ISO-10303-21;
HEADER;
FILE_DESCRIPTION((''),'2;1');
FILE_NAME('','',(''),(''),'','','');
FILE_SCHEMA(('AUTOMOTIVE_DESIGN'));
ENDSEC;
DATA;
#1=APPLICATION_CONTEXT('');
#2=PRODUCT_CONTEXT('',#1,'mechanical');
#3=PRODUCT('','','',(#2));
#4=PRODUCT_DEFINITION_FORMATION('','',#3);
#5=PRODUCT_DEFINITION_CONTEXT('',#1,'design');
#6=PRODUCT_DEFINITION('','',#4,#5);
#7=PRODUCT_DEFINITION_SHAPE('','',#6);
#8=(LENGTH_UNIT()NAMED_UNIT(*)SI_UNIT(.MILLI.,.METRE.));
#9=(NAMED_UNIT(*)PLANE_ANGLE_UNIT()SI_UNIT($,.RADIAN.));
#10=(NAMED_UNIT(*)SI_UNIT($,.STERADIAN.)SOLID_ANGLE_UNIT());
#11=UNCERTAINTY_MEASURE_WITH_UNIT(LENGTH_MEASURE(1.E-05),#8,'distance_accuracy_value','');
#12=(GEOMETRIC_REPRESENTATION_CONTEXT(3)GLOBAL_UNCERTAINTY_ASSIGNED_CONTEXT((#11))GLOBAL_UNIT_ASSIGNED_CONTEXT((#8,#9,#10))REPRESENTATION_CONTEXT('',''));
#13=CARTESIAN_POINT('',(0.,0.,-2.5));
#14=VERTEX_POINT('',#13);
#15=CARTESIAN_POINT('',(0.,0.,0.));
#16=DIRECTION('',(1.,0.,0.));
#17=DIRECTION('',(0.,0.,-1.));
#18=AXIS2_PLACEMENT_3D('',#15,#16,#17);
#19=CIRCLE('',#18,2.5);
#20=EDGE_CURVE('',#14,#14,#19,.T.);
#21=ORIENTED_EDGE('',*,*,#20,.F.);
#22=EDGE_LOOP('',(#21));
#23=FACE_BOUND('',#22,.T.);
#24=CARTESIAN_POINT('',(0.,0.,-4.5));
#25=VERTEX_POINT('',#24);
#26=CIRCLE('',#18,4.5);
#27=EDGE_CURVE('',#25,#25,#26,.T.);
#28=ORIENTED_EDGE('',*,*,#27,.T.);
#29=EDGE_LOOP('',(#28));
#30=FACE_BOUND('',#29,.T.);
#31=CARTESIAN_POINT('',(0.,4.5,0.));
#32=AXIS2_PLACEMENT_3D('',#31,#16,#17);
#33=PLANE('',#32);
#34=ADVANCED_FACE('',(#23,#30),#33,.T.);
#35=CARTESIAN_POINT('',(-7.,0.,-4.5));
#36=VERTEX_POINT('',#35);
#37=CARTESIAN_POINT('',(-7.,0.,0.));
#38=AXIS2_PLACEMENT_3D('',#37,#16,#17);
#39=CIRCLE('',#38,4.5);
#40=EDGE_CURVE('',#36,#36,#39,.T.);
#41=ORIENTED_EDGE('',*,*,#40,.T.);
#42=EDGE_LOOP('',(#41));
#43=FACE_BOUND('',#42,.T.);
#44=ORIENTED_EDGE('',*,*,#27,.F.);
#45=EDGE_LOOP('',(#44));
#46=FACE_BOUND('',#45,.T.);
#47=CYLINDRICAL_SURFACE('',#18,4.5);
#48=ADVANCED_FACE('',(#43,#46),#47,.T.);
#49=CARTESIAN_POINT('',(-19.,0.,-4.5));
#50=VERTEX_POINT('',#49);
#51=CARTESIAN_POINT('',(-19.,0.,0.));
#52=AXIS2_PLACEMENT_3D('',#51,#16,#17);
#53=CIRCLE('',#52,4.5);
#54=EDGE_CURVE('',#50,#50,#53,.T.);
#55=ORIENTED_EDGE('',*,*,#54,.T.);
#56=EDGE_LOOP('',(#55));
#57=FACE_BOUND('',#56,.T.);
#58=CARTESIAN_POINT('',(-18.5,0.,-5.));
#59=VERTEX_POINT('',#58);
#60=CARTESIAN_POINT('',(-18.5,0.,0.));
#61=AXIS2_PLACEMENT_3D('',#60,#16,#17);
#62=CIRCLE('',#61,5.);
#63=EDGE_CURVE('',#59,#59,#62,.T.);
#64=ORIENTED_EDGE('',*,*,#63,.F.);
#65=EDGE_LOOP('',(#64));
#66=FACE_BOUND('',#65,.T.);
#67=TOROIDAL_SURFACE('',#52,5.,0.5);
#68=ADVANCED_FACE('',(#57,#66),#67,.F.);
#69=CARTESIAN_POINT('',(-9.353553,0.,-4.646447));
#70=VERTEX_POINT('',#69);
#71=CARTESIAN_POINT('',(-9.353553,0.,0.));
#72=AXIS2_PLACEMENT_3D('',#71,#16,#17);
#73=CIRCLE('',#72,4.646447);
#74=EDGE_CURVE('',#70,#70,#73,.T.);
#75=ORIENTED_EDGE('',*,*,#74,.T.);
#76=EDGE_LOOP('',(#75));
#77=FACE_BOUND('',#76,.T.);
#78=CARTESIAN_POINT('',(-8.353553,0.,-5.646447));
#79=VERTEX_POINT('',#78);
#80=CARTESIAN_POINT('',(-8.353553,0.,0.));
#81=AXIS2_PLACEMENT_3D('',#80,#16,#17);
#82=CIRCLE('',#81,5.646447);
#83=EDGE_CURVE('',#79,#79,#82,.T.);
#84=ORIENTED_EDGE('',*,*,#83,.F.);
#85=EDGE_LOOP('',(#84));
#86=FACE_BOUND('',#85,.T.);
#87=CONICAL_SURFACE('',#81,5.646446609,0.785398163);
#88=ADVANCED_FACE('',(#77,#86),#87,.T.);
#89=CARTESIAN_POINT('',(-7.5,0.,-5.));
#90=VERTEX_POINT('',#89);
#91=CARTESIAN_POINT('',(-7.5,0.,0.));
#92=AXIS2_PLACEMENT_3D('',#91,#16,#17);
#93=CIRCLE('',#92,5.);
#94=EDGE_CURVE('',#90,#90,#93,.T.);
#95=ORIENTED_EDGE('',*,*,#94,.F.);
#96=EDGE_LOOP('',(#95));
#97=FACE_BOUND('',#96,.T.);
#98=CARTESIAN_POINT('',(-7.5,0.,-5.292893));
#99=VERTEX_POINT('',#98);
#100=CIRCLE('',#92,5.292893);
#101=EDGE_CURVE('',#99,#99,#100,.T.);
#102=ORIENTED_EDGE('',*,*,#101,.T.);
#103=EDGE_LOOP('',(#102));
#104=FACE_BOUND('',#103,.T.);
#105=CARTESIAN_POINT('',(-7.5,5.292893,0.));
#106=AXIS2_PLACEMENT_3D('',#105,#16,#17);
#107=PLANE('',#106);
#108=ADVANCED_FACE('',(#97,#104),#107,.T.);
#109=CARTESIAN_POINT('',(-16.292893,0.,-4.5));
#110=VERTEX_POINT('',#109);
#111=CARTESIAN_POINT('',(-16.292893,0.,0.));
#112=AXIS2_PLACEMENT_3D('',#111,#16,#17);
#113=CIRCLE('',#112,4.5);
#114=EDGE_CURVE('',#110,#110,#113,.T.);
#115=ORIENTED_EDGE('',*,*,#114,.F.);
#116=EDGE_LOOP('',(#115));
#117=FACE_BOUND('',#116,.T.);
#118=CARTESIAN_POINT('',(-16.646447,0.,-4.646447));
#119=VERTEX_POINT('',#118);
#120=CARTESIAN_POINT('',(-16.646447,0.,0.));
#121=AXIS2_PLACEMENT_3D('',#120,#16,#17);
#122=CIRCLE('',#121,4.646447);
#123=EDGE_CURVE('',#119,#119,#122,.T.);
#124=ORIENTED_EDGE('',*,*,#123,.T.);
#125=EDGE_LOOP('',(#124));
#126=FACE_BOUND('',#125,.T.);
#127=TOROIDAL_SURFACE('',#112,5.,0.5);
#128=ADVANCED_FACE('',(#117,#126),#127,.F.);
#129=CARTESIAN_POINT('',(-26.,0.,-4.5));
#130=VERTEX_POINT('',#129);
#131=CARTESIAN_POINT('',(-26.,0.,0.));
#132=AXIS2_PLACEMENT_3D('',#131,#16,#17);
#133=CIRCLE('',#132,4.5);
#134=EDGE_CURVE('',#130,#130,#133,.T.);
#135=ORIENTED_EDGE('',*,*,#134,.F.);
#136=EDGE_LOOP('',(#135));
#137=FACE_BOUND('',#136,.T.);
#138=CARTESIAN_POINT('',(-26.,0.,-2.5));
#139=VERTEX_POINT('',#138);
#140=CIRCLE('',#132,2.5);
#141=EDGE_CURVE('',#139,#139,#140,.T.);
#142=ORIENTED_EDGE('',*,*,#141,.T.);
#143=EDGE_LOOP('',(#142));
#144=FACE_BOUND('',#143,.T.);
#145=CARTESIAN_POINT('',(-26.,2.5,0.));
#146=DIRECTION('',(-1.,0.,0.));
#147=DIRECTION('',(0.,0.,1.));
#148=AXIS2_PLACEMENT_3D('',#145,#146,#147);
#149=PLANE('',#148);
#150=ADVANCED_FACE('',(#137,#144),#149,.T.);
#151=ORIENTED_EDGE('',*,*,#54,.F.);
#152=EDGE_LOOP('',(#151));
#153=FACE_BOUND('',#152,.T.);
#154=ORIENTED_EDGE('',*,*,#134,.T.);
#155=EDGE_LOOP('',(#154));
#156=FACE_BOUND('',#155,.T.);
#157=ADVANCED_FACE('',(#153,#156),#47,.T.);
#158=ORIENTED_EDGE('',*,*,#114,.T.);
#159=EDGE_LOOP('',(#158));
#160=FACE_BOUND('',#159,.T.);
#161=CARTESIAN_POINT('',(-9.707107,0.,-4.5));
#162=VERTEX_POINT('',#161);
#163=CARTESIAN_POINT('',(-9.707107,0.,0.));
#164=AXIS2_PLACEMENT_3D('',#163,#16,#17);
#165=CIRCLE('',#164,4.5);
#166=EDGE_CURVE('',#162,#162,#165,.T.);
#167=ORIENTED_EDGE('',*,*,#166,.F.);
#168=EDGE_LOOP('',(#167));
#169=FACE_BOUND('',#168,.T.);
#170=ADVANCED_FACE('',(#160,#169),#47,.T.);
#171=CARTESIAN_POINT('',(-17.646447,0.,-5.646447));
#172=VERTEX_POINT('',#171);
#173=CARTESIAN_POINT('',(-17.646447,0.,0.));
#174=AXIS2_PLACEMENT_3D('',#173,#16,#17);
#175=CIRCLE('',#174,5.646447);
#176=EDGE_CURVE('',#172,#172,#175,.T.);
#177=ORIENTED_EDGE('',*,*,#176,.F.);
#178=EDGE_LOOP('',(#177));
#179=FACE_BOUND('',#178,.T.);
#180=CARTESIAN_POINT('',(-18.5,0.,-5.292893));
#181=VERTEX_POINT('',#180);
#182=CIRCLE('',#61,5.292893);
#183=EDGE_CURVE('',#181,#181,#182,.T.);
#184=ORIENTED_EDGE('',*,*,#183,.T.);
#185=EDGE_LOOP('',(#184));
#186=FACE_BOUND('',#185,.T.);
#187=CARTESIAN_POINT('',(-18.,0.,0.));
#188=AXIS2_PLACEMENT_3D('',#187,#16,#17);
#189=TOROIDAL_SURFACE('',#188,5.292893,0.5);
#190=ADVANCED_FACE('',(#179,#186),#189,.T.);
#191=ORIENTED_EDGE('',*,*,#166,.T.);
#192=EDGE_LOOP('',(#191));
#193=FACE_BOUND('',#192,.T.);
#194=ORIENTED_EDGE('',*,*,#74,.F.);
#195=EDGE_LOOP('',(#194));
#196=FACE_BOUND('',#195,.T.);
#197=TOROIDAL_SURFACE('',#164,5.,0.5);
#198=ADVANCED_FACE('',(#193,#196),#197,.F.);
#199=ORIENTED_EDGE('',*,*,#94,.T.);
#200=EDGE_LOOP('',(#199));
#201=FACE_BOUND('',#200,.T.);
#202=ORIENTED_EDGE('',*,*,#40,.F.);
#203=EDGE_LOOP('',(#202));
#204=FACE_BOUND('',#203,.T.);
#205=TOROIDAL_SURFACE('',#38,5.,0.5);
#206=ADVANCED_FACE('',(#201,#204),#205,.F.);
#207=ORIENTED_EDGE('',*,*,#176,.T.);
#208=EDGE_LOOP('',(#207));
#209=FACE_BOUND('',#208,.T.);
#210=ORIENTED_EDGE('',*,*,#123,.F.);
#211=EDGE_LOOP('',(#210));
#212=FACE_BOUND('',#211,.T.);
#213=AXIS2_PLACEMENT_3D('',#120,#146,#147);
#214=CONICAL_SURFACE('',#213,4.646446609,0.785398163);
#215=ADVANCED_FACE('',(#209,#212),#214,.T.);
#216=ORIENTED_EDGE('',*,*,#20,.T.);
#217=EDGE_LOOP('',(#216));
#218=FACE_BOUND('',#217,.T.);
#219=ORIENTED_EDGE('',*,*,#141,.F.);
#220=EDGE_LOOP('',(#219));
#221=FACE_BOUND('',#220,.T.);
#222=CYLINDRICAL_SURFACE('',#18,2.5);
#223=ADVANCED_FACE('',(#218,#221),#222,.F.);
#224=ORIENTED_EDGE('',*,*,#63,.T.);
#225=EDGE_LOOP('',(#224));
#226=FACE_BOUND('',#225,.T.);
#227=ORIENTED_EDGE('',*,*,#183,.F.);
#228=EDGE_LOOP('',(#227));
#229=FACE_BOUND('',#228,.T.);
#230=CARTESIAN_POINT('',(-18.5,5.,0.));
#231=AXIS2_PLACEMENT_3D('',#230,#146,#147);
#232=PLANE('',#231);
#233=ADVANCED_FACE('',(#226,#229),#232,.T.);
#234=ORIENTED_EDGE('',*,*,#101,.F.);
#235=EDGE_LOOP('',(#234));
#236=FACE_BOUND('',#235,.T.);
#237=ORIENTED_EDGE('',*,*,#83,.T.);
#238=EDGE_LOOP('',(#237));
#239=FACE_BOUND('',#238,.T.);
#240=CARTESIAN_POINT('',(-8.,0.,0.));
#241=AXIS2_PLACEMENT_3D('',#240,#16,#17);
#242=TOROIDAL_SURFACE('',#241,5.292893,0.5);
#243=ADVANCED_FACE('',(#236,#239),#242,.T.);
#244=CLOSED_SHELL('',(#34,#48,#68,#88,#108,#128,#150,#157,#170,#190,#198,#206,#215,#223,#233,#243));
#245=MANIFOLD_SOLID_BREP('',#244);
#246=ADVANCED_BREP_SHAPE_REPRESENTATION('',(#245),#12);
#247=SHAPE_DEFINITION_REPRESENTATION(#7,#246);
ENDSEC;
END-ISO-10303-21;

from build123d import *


with BuildPart() as part:
    # Sketch1 → Revolve1 (revolve)
    with BuildSketch(Plane.XY, mode=Mode.PRIVATE) as revolve1_sk:
        with BuildLine():
            Line((-26, 2.5), (0, 2.5))
            Line((0, 2.5), (0, 4.5))
            Line((0, 4.5), (-7, 4.5))
            ThreePointArc((-7, 4.5), (-7.353553391, 4.646446609), (-7.5, 5))
            Line((-7.5, 5), (-7.5, 5.292893219))
            ThreePointArc((-7.5, 5.292893219), (-7.808658284, 5.754832985), (-8.353553391, 5.646446609))
            Line((-8.353553391, 5.646446609), (-9.353553391, 4.646446609))
            ThreePointArc((-9.353553391, 4.646446609), (-9.515765065, 4.538060234), (-9.707106781, 4.5))
            Line((-9.707106781, 4.5), (-16.292893219, 4.5))
            ThreePointArc((-16.292893219, 4.5), (-16.484234935, 4.538060234), (-16.646446609, 4.646446609))
            Line((-16.646446609, 4.646446609), (-17.646446609, 5.646446609))
            ThreePointArc((-17.646446609, 5.646446609), (-18.191341716, 5.754832985), (-18.5, 5.292893219))
            Line((-18.5, 5.292893219), (-18.5, 5))
            ThreePointArc((-18.5, 5), (-18.646446609, 4.646446609), (-19, 4.5))
            Line((-19, 4.5), (-26, 4.5))
            Line((-26, 4.5), (-26, 2.5))
        make_face()
    revolve(revolve1_sk.sketch.rotate(Axis((0, 0, 0), (-1, 0, 0)), 90), axis=Axis((0, 0, 0), (-1, 0, 0)))


solid = part.part
